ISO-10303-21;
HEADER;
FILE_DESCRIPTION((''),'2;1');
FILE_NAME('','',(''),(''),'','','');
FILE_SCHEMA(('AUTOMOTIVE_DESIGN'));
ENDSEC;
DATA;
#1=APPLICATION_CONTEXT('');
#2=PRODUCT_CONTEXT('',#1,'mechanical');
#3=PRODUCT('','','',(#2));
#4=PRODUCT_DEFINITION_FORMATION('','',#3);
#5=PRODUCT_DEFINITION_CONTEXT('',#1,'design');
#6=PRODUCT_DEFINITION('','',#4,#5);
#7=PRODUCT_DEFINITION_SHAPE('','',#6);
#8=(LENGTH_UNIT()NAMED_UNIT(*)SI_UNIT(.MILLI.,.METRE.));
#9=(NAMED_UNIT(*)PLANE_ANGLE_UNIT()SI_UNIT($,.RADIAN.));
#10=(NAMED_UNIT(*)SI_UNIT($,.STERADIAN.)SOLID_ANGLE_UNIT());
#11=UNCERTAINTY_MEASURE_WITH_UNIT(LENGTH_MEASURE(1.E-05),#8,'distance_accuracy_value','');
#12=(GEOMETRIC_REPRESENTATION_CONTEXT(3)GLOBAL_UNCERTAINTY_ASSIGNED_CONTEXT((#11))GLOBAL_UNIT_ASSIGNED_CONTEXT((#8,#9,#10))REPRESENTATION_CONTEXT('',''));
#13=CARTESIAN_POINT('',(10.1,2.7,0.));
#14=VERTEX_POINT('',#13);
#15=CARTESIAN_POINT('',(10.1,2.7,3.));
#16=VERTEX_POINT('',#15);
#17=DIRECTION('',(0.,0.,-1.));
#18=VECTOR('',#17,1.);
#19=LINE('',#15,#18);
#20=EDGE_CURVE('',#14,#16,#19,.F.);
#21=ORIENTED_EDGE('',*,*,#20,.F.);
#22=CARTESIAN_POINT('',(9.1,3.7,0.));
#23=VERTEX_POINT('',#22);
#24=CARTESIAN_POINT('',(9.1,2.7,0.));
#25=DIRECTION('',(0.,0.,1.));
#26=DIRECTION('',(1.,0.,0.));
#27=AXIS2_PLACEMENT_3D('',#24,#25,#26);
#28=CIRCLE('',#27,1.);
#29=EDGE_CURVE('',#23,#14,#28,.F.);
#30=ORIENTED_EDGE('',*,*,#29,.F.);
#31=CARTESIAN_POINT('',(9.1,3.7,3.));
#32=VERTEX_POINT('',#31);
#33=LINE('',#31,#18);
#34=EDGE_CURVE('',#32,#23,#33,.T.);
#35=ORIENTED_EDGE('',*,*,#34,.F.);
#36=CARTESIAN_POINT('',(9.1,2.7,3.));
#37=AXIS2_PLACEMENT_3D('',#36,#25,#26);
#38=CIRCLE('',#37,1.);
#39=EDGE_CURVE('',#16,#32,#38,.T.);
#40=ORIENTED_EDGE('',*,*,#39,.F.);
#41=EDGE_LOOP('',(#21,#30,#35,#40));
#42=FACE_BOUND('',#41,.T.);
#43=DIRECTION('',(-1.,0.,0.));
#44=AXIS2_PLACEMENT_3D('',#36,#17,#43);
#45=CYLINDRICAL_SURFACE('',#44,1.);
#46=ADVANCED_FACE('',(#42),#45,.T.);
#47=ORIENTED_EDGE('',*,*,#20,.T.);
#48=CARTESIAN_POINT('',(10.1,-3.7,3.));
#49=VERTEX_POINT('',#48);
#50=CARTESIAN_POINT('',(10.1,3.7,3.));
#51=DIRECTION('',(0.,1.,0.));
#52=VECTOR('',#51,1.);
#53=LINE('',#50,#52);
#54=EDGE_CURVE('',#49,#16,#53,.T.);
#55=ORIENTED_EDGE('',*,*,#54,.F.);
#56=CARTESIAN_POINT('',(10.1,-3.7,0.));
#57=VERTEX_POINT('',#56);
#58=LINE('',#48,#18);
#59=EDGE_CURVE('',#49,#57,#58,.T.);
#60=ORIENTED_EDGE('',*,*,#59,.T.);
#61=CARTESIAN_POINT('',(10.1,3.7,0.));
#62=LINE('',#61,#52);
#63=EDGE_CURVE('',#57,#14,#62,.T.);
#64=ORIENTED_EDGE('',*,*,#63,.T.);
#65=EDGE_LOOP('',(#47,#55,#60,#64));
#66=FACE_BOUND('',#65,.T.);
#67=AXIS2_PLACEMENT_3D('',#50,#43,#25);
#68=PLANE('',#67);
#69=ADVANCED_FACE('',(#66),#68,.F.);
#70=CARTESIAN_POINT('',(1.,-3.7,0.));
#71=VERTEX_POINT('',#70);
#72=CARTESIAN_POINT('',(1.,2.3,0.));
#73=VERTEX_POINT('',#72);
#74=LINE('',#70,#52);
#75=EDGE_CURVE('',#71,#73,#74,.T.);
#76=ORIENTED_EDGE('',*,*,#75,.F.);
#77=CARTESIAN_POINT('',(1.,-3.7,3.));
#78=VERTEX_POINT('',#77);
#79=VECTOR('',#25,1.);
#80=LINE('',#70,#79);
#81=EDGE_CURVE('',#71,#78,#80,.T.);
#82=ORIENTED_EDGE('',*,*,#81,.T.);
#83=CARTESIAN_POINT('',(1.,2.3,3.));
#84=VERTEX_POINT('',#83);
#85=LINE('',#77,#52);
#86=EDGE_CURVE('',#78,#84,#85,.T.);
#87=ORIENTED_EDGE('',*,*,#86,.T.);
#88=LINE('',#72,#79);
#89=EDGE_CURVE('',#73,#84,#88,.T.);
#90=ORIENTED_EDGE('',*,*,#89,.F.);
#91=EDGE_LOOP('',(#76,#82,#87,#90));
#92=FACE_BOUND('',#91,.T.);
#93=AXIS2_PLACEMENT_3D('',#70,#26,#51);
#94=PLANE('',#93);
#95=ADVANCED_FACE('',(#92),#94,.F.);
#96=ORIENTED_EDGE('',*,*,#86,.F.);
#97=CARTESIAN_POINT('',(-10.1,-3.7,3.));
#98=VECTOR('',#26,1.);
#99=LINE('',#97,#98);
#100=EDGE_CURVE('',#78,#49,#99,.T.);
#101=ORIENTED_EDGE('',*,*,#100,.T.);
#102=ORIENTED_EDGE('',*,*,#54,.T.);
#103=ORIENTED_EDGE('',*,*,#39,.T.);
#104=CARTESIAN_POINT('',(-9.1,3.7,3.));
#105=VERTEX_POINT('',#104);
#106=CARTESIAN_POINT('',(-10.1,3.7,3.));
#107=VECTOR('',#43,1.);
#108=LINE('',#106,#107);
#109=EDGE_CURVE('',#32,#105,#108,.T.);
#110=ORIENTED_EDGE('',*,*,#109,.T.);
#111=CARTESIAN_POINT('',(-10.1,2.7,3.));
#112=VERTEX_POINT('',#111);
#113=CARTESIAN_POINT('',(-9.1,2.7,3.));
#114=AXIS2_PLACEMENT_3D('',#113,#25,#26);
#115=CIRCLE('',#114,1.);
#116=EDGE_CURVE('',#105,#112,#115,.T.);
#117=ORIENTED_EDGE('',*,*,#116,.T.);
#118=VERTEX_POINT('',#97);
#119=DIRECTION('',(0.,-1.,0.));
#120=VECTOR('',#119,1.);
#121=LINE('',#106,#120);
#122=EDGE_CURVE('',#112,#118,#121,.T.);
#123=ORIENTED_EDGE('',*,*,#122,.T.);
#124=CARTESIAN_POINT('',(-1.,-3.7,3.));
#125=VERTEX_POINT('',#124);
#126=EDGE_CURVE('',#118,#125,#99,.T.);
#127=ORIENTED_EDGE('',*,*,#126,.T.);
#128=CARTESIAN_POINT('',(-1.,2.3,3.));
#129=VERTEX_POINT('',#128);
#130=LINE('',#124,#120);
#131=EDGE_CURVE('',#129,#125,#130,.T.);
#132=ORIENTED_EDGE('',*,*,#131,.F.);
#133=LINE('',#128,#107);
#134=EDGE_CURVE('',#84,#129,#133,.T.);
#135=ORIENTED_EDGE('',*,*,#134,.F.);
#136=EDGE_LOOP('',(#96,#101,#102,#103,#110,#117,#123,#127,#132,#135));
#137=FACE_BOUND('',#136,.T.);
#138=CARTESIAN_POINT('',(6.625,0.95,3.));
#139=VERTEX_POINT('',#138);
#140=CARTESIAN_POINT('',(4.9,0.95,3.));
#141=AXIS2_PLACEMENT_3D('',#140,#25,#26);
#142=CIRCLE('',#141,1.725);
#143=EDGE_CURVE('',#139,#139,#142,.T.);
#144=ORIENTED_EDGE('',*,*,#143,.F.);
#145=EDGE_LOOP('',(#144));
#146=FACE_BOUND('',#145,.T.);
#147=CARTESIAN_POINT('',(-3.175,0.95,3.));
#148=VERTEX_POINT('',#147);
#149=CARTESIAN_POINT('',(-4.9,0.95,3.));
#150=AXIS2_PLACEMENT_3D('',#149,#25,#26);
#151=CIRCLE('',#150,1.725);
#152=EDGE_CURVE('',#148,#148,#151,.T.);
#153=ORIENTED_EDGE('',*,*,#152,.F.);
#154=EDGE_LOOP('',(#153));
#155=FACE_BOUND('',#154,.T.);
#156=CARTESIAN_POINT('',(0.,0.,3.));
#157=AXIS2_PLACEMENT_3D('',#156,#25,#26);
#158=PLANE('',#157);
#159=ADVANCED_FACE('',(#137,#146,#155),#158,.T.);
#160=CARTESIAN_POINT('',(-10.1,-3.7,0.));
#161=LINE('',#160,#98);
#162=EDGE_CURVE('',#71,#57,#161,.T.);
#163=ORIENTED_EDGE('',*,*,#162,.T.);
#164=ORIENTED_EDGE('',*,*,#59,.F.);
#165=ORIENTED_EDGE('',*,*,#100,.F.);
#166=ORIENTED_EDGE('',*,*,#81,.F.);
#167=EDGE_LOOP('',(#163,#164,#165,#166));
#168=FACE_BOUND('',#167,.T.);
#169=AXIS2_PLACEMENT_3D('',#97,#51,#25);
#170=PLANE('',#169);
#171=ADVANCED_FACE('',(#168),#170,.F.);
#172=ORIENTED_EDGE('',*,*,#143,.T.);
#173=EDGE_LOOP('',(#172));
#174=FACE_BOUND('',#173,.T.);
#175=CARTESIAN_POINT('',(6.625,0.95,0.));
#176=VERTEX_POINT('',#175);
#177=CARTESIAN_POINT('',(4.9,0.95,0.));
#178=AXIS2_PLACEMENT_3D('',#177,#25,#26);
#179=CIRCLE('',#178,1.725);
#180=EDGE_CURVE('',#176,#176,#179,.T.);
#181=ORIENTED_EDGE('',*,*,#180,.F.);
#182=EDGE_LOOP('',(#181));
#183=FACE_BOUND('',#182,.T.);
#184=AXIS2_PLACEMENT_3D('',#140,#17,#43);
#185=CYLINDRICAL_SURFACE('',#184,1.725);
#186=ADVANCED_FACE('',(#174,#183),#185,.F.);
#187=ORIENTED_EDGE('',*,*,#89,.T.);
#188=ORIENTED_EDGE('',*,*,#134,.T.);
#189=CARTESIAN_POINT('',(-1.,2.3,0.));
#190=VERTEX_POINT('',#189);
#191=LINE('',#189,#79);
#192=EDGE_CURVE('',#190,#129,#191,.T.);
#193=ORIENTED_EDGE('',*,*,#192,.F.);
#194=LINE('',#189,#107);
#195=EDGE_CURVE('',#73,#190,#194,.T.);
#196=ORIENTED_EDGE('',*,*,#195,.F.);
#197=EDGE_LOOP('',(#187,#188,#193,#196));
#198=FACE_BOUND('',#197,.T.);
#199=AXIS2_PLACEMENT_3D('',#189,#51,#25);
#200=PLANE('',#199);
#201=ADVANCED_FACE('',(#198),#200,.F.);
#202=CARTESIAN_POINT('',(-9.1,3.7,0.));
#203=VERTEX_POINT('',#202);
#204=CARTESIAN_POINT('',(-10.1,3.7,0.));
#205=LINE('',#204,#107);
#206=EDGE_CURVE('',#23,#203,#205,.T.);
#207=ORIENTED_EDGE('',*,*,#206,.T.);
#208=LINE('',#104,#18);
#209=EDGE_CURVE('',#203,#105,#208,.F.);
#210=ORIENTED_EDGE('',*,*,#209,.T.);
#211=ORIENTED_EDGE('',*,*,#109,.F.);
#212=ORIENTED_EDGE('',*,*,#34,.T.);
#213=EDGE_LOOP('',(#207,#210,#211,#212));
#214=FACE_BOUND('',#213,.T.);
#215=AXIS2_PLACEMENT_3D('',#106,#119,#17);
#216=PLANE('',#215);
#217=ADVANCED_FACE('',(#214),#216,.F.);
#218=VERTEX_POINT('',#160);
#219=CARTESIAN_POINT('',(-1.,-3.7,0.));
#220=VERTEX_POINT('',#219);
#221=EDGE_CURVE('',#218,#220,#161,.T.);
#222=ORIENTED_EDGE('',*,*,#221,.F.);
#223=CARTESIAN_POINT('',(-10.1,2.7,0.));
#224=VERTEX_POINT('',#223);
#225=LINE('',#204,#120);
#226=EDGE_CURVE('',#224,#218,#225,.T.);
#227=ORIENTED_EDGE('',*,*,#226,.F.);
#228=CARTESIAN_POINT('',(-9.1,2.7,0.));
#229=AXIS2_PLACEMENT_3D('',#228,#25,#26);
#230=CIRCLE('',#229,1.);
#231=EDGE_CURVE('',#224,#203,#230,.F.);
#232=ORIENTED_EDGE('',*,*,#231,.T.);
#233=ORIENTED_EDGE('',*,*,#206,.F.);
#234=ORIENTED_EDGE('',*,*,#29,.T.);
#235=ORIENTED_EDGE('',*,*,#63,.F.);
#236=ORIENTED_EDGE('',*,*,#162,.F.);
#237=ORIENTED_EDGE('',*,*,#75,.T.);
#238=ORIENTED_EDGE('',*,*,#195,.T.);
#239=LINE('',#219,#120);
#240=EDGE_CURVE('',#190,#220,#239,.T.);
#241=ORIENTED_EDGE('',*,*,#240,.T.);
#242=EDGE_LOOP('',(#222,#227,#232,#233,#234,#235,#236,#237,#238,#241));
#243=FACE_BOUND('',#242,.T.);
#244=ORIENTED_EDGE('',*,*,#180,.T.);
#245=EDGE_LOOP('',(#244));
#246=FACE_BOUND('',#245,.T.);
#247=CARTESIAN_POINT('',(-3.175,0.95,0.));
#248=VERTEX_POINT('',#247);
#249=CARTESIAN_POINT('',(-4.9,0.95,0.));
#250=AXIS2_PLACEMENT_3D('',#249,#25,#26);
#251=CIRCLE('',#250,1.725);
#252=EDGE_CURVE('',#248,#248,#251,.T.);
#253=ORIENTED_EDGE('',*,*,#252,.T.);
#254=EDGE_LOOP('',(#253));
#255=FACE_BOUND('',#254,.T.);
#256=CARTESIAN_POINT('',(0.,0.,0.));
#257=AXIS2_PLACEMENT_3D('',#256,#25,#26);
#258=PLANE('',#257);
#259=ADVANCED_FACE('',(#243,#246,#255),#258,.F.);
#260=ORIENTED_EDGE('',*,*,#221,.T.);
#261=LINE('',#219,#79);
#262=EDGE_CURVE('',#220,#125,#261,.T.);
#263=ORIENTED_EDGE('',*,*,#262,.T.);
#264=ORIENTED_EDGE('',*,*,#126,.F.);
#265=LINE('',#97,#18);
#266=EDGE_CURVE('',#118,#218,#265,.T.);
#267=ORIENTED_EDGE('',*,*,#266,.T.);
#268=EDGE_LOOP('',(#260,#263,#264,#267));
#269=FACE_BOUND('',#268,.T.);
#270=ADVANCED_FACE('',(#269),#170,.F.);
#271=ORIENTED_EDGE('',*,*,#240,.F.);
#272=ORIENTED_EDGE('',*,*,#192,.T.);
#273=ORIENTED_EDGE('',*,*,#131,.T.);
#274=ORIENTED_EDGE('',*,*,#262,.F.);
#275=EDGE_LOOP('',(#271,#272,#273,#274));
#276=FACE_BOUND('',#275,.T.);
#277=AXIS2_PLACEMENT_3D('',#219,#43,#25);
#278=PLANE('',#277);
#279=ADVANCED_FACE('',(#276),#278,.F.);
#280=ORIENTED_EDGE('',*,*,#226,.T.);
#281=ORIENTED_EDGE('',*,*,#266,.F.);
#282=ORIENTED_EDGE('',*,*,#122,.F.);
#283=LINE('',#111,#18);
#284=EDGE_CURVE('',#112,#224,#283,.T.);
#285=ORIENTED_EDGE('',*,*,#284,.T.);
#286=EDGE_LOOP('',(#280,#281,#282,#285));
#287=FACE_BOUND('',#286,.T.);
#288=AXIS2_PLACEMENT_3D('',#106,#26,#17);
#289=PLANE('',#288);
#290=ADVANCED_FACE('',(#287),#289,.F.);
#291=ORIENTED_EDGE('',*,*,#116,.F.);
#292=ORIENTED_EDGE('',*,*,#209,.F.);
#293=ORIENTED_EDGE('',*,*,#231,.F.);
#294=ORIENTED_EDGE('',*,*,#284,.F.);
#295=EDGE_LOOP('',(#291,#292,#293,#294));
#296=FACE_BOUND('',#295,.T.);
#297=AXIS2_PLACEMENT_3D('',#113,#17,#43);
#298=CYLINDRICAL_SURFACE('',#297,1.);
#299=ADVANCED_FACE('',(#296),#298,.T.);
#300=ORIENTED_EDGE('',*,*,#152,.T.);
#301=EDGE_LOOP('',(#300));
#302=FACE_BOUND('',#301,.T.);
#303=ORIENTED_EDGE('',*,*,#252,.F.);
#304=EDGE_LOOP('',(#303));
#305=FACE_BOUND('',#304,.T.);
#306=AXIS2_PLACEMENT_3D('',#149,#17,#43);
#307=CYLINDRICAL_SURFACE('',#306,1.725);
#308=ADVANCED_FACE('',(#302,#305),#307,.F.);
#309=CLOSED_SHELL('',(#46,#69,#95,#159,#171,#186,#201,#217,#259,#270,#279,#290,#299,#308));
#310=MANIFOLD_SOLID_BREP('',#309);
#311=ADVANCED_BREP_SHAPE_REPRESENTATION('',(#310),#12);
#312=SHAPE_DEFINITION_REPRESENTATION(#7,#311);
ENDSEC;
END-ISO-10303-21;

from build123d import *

# Parameters (mm, degrees)
SKETCH1_W           = 20.2
SKETCH1_H           = 7.4
SKETCH1_R           = 1.725
BOSS_EXTRUDE1_DEPTH = 3
SKETCH2_W           = 2
SKETCH2_H           = 6
CUT_EXTRUDE1_DEPTH  = 3
FILLET1_R           = 1


with BuildPart() as part:
    # Sketch1 → Boss-Extrude1 (new body)
    with BuildSketch(Plane.XY):
        Rectangle(SKETCH1_W, SKETCH1_H)
        with Locations((-4.9, 0.95)):
            Circle(SKETCH1_R, mode=Mode.SUBTRACT)
        with Locations((4.9, 0.95)):
            Circle(SKETCH1_R, mode=Mode.SUBTRACT)
    extrude(amount=BOSS_EXTRUDE1_DEPTH)

    # Sketch2 → Cut-Extrude1 (cut)
    with BuildSketch(Plane.XY.offset(3)):
        with Locations((0, -0.7)):
            Rectangle(SKETCH2_W, SKETCH2_H)
    extrude(amount=-CUT_EXTRUDE1_DEPTH, mode=Mode.SUBTRACT)

    # Fillet1
    fillet1_edges = [part.edges().sort_by_distance(p)[0] for p in [
        (-10.1, 3.7, 1.5),
        (10.1, 3.7, 1.5),
    ]]
    fillet(fillet1_edges, radius=FILLET1_R)


solid = part.part
